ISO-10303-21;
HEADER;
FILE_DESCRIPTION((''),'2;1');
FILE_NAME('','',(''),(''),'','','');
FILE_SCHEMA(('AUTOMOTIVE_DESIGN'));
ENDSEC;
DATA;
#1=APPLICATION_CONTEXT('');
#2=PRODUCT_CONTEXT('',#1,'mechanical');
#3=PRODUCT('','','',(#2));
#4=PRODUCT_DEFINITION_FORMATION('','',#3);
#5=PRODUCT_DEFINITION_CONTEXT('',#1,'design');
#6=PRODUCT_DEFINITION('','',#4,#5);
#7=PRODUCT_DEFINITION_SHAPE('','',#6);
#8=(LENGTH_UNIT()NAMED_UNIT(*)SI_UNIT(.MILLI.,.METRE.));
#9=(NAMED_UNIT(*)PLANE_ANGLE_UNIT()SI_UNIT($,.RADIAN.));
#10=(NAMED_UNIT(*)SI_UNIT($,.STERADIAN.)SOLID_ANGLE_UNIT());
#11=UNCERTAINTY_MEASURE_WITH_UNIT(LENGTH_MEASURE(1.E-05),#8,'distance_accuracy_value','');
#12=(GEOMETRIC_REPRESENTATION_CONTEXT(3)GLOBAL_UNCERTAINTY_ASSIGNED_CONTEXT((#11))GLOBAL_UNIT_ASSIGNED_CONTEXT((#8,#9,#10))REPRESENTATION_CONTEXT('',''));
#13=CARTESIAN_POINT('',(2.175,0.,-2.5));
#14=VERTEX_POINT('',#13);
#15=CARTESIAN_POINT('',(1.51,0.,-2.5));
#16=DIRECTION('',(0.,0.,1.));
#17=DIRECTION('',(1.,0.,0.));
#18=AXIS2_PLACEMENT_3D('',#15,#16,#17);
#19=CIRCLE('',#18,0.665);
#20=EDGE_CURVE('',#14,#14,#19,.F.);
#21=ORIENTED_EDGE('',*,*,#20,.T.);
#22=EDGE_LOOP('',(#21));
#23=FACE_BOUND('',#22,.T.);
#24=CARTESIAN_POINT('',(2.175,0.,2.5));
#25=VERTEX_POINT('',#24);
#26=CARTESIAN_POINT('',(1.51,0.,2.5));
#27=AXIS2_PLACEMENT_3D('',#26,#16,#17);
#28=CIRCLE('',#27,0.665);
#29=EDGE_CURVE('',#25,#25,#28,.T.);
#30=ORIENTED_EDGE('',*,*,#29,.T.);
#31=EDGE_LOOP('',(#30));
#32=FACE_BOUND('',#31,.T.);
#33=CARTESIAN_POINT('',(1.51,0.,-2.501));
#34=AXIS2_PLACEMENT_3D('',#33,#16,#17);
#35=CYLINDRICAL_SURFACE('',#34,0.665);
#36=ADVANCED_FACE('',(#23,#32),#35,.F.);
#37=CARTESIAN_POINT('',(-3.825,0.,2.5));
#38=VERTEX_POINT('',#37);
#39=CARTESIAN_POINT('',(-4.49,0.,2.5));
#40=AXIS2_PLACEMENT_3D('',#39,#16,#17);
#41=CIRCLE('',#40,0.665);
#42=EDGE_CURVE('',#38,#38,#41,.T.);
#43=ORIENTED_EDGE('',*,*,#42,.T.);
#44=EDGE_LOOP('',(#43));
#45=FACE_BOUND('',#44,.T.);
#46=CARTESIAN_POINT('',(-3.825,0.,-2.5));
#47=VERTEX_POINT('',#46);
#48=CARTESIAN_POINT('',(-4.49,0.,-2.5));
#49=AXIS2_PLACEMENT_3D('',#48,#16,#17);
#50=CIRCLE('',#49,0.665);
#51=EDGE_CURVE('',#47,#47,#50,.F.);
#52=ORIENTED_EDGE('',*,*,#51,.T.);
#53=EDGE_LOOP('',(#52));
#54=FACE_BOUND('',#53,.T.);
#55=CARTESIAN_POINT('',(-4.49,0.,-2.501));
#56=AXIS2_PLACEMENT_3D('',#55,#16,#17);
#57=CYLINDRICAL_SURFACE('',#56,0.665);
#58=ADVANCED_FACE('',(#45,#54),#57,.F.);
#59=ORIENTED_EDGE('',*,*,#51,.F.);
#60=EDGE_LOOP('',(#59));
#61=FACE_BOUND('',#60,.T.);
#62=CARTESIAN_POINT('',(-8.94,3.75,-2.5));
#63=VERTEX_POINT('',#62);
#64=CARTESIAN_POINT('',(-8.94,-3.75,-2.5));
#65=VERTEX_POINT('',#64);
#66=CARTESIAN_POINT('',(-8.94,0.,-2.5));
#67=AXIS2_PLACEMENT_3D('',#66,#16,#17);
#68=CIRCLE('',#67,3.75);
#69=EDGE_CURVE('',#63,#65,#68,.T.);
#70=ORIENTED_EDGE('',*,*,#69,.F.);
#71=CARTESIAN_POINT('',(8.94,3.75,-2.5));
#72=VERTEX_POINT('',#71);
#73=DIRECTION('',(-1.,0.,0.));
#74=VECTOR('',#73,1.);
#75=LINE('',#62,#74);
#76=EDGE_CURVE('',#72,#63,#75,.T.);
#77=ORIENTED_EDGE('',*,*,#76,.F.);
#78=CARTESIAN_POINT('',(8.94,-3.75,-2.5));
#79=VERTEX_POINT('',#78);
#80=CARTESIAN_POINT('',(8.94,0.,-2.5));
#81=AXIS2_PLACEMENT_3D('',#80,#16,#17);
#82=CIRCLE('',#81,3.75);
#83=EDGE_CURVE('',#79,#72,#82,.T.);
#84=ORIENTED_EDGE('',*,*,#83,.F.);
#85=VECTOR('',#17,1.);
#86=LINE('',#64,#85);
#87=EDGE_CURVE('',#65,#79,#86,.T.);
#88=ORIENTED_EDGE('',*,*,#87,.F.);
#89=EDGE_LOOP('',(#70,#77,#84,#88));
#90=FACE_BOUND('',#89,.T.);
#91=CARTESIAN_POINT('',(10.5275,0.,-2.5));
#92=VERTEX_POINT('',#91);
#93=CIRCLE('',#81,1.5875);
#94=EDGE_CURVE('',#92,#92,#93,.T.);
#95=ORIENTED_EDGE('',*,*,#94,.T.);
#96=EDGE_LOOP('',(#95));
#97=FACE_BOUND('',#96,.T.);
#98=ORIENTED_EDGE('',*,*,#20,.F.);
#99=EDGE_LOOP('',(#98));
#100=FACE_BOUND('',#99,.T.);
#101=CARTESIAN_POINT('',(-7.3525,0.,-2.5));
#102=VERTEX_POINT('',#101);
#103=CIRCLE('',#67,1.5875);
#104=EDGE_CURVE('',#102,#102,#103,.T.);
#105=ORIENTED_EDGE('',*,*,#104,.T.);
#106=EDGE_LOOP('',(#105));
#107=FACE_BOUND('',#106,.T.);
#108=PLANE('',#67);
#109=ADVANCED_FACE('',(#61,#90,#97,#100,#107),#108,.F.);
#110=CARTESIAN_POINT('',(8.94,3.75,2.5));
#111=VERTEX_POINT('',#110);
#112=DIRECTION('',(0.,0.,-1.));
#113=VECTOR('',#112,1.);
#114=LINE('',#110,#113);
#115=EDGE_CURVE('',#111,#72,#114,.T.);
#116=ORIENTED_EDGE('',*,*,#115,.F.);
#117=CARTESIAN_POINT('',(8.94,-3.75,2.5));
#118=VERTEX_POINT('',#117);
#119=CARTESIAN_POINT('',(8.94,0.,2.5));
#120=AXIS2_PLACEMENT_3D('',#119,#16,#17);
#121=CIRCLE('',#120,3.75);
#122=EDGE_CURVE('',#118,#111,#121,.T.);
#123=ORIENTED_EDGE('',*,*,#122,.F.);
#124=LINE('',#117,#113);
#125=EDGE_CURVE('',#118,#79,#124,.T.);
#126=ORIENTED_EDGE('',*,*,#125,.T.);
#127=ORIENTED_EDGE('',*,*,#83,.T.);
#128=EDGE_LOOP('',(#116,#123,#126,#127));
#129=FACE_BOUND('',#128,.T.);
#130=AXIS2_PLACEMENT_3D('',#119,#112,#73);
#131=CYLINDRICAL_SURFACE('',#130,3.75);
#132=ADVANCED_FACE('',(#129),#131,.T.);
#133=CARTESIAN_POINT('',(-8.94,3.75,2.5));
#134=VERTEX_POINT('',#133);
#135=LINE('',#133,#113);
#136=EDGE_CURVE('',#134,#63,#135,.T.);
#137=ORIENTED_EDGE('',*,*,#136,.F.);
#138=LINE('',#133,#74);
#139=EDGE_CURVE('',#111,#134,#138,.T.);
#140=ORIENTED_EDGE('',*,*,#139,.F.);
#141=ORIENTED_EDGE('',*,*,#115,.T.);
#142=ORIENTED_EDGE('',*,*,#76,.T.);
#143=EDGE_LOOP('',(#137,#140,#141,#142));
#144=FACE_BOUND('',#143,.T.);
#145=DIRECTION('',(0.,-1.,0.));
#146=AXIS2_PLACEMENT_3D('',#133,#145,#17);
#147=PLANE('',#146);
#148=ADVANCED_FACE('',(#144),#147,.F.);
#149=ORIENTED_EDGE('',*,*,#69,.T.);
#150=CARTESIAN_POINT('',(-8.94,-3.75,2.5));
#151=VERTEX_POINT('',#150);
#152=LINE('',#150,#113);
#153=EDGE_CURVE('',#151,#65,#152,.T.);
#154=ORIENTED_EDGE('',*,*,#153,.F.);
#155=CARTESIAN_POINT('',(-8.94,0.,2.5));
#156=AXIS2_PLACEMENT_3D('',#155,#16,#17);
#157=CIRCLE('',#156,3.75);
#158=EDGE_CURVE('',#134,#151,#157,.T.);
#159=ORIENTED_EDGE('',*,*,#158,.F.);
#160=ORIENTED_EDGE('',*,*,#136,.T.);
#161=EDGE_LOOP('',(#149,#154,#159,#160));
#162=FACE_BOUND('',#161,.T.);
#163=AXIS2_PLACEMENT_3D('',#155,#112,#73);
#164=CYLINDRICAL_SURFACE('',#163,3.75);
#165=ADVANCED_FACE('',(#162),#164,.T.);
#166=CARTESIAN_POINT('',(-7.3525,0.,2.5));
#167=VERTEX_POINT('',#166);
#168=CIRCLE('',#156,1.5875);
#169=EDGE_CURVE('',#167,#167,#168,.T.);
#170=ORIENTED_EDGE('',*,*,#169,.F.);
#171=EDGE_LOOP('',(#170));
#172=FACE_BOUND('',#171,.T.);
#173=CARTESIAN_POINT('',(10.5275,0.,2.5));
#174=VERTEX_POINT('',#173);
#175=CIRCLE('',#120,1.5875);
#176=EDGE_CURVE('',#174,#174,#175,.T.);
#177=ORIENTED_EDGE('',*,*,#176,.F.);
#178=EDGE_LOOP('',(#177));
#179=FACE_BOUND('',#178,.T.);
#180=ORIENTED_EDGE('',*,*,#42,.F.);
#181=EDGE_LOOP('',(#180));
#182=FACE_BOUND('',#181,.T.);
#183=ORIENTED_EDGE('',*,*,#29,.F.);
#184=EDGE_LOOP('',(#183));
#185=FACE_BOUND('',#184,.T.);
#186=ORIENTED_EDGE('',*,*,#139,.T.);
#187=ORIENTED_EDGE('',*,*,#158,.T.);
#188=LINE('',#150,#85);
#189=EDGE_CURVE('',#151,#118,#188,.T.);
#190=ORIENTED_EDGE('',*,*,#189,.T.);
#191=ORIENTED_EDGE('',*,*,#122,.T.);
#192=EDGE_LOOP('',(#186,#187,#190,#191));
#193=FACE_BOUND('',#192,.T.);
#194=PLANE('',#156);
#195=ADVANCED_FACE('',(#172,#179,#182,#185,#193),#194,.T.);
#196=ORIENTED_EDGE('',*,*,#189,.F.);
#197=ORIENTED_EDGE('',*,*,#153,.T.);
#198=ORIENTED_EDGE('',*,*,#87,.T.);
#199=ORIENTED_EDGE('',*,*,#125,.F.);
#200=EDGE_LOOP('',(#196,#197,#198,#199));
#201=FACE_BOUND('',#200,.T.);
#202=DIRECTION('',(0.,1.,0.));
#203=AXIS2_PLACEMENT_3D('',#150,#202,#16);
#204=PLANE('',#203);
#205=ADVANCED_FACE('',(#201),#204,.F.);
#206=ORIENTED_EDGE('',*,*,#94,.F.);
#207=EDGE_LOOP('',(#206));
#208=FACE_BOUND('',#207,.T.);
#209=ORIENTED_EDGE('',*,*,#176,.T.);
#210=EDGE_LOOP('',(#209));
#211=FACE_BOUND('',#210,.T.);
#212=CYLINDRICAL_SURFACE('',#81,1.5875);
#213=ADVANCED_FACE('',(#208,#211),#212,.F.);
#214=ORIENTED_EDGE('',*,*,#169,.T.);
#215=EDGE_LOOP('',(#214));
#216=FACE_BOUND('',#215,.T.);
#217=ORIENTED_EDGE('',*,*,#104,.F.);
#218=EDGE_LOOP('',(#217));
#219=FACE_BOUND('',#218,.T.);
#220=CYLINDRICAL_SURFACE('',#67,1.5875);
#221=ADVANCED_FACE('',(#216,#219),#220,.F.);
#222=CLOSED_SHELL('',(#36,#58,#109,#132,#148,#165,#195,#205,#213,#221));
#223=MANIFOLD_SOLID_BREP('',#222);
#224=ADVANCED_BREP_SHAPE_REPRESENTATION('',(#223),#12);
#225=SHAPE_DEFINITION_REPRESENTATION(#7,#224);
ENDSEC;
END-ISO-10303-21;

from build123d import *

# Parameters (mm, degrees)
BOSS_EXTRUDE1_DEPTH = 2.5
SKETCH2_R           = 1.5875
CUT_EXTRUDE1_DEPTH  = 15.145621231
CUT_EXTRUDE2_REACH  = 16.146
SKETCH5_R           = 0.665


with BuildPart() as part:
    # Sketch1 → Boss-Extrude1 (new, symmetric)
    with BuildSketch(Plane.XY):
        with BuildLine():
            Line((-8.94, 3.75), (8.94, 3.75))
            ThreePointArc((8.94, 3.75), (12.69, 0), (8.94, -3.75))
            Line((8.94, -3.75), (-8.94, -3.75))
            ThreePointArc((-8.94, -3.75), (-12.69, 0), (-8.94, 3.75))
        make_face()
    extrude(amount=BOSS_EXTRUDE1_DEPTH, both=True)

    # Sketch2 → Cut-Extrude1 (cut, through all)
    with BuildSketch(Plane.XY.offset(2.5)):
        with Locations((-8.94, 0)):
            Circle(SKETCH2_R)
        with Locations((8.94, 0)):
            Circle(SKETCH2_R)
    extrude(amount=-CUT_EXTRUDE1_DEPTH, mode=Mode.SUBTRACT)

    # Sketch5 → Cut-Extrude2 (cut, up to next)
    with BuildSketch(Plane.XY.offset(2.5), mode=Mode.PRIVATE) as cut_extrude2_sk1:
        with Locations((-4.49, 0)):
            Circle(SKETCH5_R)
    cut_extrude2_tool1 = extrude(cut_extrude2_sk1.sketch, amount=-CUT_EXTRUDE2_REACH, mode=Mode.PRIVATE) & part.part
    # Sketch5 → Cut-Extrude2 (cut, up to next)
    with BuildSketch(Plane.XY.offset(2.5), mode=Mode.PRIVATE) as cut_extrude2_sk2:
        with Locations((1.51, 0)):
            Circle(SKETCH5_R)
    cut_extrude2_tool2 = extrude(cut_extrude2_sk2.sketch, amount=-CUT_EXTRUDE2_REACH, mode=Mode.PRIVATE) & part.part
    add(cut_extrude2_tool1.solids().sort_by_distance((-4.49, 0, 2.5))[0], mode=Mode.SUBTRACT)
    add(cut_extrude2_tool2.solids().sort_by_distance((1.51, 0, 2.5))[0], mode=Mode.SUBTRACT)


solid = part.part
